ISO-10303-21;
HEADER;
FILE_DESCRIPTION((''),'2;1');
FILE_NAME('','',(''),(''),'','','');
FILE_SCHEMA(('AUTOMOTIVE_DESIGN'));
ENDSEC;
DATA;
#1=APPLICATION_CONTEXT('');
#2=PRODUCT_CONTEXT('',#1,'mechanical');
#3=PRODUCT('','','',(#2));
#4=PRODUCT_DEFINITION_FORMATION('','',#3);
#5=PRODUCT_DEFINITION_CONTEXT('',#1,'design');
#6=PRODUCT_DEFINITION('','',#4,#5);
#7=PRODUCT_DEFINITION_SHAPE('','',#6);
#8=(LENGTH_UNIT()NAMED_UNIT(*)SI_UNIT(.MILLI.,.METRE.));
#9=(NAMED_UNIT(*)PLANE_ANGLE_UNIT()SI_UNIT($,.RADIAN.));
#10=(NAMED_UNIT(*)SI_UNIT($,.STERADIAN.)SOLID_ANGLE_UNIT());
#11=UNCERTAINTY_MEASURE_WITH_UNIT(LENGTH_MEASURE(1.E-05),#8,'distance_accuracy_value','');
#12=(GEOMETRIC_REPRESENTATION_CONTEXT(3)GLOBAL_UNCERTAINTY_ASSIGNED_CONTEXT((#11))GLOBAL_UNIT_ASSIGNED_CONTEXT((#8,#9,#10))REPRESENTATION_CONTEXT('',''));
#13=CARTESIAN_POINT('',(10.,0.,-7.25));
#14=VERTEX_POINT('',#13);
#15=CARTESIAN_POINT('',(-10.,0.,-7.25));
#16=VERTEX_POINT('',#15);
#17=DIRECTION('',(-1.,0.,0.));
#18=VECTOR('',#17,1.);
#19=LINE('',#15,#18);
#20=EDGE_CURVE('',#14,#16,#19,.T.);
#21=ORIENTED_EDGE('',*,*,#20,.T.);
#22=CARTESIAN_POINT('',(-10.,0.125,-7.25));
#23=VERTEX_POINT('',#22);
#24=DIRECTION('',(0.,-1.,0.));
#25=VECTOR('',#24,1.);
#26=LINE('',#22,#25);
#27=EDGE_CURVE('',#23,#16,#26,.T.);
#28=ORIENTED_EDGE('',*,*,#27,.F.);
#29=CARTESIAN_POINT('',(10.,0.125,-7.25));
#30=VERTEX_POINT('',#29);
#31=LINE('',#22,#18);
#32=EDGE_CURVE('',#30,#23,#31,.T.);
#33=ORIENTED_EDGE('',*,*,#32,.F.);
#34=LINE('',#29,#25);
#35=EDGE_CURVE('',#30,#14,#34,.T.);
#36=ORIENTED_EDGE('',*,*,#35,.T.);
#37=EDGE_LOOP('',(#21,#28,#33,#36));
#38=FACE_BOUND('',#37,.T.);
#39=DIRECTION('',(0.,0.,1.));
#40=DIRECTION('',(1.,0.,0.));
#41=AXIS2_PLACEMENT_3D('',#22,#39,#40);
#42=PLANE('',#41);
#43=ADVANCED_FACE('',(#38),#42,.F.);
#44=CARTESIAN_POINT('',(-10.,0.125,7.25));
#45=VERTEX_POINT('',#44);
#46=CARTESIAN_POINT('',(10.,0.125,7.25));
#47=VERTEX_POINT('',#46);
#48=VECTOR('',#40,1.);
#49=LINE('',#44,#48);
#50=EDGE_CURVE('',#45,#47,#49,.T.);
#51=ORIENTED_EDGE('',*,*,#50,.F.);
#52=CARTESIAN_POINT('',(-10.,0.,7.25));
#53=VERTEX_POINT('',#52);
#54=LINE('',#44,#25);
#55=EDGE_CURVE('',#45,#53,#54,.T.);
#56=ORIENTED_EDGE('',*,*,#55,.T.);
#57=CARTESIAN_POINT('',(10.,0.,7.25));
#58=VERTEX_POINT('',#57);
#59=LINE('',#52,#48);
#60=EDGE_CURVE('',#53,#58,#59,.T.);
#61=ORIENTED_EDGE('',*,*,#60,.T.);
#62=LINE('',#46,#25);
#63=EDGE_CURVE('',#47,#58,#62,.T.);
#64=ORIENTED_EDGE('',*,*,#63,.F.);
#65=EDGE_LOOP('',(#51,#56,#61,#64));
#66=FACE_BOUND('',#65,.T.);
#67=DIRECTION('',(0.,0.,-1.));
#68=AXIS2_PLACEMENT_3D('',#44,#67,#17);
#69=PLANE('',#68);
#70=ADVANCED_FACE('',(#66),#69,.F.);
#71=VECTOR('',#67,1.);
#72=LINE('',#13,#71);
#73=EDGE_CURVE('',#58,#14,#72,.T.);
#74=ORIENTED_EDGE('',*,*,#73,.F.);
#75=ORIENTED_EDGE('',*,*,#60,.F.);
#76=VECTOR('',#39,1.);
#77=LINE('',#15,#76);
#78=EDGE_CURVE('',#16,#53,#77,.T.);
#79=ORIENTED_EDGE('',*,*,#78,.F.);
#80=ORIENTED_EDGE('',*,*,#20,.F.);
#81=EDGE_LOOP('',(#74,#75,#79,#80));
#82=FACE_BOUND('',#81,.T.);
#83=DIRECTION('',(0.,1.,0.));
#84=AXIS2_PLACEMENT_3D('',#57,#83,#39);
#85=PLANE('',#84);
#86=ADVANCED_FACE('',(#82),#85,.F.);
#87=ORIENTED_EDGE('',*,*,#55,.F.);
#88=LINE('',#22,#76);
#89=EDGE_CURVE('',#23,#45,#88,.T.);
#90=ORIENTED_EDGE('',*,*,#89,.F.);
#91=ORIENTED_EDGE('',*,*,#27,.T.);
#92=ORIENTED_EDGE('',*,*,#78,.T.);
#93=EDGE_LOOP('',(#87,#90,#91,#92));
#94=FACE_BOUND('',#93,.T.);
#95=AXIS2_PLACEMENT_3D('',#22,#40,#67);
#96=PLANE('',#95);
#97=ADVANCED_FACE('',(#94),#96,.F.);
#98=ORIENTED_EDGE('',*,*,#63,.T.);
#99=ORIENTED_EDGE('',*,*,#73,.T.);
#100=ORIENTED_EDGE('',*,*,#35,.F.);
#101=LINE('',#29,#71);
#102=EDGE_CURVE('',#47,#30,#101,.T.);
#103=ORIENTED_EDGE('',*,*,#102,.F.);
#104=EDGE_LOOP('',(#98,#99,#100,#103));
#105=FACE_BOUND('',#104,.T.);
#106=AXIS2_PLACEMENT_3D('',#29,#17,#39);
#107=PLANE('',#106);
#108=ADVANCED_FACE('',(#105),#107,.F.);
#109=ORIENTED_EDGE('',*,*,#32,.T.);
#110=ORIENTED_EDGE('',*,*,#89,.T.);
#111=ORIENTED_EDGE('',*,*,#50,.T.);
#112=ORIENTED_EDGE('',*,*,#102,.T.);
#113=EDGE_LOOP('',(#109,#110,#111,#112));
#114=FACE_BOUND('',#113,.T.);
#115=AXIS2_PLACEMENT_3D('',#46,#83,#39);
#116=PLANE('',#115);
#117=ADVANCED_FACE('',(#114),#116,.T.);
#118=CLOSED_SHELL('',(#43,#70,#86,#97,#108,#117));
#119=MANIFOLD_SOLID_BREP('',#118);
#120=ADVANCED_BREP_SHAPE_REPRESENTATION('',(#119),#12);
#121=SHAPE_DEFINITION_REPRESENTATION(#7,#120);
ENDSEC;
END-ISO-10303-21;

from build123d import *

# Parameters (mm, degrees)
SKETCH1_W      = 20
SKETCH1_H      = 14.5
EXTRUDE1_DEPTH = 0.125


with BuildPart() as part:
    # Sketch1 → Extrude1 (new body)
    with BuildSketch(Plane(origin=(0, 0, 0), x_dir=(1, 0, 0), z_dir=(0, 1, 0))):
        Rectangle(SKETCH1_W, SKETCH1_H)
    extrude(amount=EXTRUDE1_DEPTH)


solid = part.part
